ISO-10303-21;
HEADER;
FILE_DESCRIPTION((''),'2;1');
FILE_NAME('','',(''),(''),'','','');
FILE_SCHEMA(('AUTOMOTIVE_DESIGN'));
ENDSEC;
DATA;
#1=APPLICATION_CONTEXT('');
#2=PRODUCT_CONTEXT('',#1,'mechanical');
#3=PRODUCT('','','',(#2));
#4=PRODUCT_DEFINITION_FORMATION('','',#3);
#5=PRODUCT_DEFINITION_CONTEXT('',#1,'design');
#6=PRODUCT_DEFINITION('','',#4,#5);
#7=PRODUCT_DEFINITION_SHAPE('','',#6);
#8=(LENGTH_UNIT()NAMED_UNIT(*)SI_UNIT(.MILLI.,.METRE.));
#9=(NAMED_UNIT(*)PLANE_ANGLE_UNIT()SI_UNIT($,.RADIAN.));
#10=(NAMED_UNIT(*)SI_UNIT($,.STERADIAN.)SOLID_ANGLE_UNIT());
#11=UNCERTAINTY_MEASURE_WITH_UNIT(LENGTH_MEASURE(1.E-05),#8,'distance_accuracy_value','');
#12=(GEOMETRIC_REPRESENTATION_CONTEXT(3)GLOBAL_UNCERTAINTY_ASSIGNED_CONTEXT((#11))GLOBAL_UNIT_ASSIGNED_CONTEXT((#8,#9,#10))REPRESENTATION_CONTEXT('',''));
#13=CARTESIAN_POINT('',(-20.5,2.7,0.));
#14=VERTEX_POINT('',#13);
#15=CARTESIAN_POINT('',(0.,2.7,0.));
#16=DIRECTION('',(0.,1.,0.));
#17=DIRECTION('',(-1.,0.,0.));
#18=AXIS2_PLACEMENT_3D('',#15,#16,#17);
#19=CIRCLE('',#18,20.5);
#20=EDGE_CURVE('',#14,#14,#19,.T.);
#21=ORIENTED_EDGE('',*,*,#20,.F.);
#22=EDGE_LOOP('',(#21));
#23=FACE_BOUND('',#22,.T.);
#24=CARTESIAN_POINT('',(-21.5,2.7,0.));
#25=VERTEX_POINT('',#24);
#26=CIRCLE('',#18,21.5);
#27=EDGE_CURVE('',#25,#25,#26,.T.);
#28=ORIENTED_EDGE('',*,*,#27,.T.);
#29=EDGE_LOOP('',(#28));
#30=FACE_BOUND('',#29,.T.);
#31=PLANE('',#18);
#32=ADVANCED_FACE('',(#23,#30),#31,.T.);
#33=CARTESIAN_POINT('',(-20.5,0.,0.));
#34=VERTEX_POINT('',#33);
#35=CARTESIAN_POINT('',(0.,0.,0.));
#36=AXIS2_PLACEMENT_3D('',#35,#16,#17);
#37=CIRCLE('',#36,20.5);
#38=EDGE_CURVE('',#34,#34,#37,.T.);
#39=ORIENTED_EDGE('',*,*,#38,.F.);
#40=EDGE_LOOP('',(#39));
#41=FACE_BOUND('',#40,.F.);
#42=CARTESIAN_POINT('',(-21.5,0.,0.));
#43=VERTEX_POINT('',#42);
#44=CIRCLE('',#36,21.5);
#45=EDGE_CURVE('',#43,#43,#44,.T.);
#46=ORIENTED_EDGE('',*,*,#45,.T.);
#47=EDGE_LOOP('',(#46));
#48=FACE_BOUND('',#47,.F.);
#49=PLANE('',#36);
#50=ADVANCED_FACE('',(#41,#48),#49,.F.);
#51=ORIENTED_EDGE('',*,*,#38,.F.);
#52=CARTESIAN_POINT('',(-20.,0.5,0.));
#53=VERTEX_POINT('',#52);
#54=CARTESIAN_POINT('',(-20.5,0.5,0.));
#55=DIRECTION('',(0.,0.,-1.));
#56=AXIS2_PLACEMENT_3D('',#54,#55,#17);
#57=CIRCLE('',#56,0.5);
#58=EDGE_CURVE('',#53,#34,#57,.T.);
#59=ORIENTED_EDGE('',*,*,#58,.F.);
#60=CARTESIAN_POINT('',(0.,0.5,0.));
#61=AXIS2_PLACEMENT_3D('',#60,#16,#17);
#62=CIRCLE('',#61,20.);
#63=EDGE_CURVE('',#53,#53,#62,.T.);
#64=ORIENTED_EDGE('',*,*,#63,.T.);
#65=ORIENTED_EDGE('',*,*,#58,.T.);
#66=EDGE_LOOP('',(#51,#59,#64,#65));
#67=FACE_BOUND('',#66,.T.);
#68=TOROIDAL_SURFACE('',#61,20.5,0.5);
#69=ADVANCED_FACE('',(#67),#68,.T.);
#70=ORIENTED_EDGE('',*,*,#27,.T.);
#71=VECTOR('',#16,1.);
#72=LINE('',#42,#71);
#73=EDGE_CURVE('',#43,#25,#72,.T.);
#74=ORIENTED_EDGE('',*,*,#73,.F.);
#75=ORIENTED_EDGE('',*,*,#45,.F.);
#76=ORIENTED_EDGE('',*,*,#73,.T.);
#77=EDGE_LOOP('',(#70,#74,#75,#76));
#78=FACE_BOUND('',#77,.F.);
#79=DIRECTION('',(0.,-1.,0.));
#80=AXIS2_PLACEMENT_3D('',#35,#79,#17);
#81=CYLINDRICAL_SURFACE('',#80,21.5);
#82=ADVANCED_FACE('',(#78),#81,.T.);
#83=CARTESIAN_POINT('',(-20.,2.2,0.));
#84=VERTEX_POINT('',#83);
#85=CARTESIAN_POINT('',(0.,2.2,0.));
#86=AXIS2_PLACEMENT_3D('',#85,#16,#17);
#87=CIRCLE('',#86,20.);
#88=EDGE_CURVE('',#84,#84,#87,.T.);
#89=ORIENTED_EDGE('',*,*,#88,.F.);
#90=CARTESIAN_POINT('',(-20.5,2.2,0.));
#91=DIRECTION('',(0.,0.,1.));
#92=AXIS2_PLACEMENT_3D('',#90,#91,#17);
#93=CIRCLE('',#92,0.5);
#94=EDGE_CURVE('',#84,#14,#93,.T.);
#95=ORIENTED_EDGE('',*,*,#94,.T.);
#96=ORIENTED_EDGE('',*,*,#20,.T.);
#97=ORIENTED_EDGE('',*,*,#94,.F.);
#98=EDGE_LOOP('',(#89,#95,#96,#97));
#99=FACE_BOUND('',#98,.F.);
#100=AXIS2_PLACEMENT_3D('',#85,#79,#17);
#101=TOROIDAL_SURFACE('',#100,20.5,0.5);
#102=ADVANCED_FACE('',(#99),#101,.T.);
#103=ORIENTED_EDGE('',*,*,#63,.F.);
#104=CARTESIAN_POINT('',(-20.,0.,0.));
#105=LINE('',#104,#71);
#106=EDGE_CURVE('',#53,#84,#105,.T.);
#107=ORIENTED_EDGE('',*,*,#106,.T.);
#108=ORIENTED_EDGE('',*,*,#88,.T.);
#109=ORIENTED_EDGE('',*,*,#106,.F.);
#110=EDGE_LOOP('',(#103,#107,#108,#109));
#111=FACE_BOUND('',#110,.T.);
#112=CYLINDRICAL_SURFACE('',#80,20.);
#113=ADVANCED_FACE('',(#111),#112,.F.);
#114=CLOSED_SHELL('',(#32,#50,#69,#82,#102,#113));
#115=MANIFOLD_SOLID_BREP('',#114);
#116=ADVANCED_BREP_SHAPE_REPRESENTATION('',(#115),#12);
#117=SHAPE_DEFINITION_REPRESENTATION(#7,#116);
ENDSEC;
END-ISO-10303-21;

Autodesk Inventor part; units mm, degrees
ref_plane "YZ Plane" through (0, 0, 0) normal (1, 0, 0) x (0, 1, 0)
ref_plane "XZ Plane" through (0, 0, 0) normal (0, 1, 0) x (-1, 0, 0)
ref_plane "XY Plane" through (0, 0, 0) normal (0, 0, 1) x (1, 0, 0)
sketch "Sketch1" plane through (0, 0, 0) normal (0, 1, 0) x (-1, 0, 0)
  circle A0 centre (0, 0) radius 20
  circle A1 centre (0, 0) radius 21.5
  dimension "d0" = 40
  dimension "d1" = 1.5
extrude "Extrusion1" add sketch "Sketch1" along normal blind 2.7
fillet "Fillet1" radius 0.5 2 edges at (20, 2.7, 0) (20, 0, 0)
properties part number "Primary_hinge_fix"
